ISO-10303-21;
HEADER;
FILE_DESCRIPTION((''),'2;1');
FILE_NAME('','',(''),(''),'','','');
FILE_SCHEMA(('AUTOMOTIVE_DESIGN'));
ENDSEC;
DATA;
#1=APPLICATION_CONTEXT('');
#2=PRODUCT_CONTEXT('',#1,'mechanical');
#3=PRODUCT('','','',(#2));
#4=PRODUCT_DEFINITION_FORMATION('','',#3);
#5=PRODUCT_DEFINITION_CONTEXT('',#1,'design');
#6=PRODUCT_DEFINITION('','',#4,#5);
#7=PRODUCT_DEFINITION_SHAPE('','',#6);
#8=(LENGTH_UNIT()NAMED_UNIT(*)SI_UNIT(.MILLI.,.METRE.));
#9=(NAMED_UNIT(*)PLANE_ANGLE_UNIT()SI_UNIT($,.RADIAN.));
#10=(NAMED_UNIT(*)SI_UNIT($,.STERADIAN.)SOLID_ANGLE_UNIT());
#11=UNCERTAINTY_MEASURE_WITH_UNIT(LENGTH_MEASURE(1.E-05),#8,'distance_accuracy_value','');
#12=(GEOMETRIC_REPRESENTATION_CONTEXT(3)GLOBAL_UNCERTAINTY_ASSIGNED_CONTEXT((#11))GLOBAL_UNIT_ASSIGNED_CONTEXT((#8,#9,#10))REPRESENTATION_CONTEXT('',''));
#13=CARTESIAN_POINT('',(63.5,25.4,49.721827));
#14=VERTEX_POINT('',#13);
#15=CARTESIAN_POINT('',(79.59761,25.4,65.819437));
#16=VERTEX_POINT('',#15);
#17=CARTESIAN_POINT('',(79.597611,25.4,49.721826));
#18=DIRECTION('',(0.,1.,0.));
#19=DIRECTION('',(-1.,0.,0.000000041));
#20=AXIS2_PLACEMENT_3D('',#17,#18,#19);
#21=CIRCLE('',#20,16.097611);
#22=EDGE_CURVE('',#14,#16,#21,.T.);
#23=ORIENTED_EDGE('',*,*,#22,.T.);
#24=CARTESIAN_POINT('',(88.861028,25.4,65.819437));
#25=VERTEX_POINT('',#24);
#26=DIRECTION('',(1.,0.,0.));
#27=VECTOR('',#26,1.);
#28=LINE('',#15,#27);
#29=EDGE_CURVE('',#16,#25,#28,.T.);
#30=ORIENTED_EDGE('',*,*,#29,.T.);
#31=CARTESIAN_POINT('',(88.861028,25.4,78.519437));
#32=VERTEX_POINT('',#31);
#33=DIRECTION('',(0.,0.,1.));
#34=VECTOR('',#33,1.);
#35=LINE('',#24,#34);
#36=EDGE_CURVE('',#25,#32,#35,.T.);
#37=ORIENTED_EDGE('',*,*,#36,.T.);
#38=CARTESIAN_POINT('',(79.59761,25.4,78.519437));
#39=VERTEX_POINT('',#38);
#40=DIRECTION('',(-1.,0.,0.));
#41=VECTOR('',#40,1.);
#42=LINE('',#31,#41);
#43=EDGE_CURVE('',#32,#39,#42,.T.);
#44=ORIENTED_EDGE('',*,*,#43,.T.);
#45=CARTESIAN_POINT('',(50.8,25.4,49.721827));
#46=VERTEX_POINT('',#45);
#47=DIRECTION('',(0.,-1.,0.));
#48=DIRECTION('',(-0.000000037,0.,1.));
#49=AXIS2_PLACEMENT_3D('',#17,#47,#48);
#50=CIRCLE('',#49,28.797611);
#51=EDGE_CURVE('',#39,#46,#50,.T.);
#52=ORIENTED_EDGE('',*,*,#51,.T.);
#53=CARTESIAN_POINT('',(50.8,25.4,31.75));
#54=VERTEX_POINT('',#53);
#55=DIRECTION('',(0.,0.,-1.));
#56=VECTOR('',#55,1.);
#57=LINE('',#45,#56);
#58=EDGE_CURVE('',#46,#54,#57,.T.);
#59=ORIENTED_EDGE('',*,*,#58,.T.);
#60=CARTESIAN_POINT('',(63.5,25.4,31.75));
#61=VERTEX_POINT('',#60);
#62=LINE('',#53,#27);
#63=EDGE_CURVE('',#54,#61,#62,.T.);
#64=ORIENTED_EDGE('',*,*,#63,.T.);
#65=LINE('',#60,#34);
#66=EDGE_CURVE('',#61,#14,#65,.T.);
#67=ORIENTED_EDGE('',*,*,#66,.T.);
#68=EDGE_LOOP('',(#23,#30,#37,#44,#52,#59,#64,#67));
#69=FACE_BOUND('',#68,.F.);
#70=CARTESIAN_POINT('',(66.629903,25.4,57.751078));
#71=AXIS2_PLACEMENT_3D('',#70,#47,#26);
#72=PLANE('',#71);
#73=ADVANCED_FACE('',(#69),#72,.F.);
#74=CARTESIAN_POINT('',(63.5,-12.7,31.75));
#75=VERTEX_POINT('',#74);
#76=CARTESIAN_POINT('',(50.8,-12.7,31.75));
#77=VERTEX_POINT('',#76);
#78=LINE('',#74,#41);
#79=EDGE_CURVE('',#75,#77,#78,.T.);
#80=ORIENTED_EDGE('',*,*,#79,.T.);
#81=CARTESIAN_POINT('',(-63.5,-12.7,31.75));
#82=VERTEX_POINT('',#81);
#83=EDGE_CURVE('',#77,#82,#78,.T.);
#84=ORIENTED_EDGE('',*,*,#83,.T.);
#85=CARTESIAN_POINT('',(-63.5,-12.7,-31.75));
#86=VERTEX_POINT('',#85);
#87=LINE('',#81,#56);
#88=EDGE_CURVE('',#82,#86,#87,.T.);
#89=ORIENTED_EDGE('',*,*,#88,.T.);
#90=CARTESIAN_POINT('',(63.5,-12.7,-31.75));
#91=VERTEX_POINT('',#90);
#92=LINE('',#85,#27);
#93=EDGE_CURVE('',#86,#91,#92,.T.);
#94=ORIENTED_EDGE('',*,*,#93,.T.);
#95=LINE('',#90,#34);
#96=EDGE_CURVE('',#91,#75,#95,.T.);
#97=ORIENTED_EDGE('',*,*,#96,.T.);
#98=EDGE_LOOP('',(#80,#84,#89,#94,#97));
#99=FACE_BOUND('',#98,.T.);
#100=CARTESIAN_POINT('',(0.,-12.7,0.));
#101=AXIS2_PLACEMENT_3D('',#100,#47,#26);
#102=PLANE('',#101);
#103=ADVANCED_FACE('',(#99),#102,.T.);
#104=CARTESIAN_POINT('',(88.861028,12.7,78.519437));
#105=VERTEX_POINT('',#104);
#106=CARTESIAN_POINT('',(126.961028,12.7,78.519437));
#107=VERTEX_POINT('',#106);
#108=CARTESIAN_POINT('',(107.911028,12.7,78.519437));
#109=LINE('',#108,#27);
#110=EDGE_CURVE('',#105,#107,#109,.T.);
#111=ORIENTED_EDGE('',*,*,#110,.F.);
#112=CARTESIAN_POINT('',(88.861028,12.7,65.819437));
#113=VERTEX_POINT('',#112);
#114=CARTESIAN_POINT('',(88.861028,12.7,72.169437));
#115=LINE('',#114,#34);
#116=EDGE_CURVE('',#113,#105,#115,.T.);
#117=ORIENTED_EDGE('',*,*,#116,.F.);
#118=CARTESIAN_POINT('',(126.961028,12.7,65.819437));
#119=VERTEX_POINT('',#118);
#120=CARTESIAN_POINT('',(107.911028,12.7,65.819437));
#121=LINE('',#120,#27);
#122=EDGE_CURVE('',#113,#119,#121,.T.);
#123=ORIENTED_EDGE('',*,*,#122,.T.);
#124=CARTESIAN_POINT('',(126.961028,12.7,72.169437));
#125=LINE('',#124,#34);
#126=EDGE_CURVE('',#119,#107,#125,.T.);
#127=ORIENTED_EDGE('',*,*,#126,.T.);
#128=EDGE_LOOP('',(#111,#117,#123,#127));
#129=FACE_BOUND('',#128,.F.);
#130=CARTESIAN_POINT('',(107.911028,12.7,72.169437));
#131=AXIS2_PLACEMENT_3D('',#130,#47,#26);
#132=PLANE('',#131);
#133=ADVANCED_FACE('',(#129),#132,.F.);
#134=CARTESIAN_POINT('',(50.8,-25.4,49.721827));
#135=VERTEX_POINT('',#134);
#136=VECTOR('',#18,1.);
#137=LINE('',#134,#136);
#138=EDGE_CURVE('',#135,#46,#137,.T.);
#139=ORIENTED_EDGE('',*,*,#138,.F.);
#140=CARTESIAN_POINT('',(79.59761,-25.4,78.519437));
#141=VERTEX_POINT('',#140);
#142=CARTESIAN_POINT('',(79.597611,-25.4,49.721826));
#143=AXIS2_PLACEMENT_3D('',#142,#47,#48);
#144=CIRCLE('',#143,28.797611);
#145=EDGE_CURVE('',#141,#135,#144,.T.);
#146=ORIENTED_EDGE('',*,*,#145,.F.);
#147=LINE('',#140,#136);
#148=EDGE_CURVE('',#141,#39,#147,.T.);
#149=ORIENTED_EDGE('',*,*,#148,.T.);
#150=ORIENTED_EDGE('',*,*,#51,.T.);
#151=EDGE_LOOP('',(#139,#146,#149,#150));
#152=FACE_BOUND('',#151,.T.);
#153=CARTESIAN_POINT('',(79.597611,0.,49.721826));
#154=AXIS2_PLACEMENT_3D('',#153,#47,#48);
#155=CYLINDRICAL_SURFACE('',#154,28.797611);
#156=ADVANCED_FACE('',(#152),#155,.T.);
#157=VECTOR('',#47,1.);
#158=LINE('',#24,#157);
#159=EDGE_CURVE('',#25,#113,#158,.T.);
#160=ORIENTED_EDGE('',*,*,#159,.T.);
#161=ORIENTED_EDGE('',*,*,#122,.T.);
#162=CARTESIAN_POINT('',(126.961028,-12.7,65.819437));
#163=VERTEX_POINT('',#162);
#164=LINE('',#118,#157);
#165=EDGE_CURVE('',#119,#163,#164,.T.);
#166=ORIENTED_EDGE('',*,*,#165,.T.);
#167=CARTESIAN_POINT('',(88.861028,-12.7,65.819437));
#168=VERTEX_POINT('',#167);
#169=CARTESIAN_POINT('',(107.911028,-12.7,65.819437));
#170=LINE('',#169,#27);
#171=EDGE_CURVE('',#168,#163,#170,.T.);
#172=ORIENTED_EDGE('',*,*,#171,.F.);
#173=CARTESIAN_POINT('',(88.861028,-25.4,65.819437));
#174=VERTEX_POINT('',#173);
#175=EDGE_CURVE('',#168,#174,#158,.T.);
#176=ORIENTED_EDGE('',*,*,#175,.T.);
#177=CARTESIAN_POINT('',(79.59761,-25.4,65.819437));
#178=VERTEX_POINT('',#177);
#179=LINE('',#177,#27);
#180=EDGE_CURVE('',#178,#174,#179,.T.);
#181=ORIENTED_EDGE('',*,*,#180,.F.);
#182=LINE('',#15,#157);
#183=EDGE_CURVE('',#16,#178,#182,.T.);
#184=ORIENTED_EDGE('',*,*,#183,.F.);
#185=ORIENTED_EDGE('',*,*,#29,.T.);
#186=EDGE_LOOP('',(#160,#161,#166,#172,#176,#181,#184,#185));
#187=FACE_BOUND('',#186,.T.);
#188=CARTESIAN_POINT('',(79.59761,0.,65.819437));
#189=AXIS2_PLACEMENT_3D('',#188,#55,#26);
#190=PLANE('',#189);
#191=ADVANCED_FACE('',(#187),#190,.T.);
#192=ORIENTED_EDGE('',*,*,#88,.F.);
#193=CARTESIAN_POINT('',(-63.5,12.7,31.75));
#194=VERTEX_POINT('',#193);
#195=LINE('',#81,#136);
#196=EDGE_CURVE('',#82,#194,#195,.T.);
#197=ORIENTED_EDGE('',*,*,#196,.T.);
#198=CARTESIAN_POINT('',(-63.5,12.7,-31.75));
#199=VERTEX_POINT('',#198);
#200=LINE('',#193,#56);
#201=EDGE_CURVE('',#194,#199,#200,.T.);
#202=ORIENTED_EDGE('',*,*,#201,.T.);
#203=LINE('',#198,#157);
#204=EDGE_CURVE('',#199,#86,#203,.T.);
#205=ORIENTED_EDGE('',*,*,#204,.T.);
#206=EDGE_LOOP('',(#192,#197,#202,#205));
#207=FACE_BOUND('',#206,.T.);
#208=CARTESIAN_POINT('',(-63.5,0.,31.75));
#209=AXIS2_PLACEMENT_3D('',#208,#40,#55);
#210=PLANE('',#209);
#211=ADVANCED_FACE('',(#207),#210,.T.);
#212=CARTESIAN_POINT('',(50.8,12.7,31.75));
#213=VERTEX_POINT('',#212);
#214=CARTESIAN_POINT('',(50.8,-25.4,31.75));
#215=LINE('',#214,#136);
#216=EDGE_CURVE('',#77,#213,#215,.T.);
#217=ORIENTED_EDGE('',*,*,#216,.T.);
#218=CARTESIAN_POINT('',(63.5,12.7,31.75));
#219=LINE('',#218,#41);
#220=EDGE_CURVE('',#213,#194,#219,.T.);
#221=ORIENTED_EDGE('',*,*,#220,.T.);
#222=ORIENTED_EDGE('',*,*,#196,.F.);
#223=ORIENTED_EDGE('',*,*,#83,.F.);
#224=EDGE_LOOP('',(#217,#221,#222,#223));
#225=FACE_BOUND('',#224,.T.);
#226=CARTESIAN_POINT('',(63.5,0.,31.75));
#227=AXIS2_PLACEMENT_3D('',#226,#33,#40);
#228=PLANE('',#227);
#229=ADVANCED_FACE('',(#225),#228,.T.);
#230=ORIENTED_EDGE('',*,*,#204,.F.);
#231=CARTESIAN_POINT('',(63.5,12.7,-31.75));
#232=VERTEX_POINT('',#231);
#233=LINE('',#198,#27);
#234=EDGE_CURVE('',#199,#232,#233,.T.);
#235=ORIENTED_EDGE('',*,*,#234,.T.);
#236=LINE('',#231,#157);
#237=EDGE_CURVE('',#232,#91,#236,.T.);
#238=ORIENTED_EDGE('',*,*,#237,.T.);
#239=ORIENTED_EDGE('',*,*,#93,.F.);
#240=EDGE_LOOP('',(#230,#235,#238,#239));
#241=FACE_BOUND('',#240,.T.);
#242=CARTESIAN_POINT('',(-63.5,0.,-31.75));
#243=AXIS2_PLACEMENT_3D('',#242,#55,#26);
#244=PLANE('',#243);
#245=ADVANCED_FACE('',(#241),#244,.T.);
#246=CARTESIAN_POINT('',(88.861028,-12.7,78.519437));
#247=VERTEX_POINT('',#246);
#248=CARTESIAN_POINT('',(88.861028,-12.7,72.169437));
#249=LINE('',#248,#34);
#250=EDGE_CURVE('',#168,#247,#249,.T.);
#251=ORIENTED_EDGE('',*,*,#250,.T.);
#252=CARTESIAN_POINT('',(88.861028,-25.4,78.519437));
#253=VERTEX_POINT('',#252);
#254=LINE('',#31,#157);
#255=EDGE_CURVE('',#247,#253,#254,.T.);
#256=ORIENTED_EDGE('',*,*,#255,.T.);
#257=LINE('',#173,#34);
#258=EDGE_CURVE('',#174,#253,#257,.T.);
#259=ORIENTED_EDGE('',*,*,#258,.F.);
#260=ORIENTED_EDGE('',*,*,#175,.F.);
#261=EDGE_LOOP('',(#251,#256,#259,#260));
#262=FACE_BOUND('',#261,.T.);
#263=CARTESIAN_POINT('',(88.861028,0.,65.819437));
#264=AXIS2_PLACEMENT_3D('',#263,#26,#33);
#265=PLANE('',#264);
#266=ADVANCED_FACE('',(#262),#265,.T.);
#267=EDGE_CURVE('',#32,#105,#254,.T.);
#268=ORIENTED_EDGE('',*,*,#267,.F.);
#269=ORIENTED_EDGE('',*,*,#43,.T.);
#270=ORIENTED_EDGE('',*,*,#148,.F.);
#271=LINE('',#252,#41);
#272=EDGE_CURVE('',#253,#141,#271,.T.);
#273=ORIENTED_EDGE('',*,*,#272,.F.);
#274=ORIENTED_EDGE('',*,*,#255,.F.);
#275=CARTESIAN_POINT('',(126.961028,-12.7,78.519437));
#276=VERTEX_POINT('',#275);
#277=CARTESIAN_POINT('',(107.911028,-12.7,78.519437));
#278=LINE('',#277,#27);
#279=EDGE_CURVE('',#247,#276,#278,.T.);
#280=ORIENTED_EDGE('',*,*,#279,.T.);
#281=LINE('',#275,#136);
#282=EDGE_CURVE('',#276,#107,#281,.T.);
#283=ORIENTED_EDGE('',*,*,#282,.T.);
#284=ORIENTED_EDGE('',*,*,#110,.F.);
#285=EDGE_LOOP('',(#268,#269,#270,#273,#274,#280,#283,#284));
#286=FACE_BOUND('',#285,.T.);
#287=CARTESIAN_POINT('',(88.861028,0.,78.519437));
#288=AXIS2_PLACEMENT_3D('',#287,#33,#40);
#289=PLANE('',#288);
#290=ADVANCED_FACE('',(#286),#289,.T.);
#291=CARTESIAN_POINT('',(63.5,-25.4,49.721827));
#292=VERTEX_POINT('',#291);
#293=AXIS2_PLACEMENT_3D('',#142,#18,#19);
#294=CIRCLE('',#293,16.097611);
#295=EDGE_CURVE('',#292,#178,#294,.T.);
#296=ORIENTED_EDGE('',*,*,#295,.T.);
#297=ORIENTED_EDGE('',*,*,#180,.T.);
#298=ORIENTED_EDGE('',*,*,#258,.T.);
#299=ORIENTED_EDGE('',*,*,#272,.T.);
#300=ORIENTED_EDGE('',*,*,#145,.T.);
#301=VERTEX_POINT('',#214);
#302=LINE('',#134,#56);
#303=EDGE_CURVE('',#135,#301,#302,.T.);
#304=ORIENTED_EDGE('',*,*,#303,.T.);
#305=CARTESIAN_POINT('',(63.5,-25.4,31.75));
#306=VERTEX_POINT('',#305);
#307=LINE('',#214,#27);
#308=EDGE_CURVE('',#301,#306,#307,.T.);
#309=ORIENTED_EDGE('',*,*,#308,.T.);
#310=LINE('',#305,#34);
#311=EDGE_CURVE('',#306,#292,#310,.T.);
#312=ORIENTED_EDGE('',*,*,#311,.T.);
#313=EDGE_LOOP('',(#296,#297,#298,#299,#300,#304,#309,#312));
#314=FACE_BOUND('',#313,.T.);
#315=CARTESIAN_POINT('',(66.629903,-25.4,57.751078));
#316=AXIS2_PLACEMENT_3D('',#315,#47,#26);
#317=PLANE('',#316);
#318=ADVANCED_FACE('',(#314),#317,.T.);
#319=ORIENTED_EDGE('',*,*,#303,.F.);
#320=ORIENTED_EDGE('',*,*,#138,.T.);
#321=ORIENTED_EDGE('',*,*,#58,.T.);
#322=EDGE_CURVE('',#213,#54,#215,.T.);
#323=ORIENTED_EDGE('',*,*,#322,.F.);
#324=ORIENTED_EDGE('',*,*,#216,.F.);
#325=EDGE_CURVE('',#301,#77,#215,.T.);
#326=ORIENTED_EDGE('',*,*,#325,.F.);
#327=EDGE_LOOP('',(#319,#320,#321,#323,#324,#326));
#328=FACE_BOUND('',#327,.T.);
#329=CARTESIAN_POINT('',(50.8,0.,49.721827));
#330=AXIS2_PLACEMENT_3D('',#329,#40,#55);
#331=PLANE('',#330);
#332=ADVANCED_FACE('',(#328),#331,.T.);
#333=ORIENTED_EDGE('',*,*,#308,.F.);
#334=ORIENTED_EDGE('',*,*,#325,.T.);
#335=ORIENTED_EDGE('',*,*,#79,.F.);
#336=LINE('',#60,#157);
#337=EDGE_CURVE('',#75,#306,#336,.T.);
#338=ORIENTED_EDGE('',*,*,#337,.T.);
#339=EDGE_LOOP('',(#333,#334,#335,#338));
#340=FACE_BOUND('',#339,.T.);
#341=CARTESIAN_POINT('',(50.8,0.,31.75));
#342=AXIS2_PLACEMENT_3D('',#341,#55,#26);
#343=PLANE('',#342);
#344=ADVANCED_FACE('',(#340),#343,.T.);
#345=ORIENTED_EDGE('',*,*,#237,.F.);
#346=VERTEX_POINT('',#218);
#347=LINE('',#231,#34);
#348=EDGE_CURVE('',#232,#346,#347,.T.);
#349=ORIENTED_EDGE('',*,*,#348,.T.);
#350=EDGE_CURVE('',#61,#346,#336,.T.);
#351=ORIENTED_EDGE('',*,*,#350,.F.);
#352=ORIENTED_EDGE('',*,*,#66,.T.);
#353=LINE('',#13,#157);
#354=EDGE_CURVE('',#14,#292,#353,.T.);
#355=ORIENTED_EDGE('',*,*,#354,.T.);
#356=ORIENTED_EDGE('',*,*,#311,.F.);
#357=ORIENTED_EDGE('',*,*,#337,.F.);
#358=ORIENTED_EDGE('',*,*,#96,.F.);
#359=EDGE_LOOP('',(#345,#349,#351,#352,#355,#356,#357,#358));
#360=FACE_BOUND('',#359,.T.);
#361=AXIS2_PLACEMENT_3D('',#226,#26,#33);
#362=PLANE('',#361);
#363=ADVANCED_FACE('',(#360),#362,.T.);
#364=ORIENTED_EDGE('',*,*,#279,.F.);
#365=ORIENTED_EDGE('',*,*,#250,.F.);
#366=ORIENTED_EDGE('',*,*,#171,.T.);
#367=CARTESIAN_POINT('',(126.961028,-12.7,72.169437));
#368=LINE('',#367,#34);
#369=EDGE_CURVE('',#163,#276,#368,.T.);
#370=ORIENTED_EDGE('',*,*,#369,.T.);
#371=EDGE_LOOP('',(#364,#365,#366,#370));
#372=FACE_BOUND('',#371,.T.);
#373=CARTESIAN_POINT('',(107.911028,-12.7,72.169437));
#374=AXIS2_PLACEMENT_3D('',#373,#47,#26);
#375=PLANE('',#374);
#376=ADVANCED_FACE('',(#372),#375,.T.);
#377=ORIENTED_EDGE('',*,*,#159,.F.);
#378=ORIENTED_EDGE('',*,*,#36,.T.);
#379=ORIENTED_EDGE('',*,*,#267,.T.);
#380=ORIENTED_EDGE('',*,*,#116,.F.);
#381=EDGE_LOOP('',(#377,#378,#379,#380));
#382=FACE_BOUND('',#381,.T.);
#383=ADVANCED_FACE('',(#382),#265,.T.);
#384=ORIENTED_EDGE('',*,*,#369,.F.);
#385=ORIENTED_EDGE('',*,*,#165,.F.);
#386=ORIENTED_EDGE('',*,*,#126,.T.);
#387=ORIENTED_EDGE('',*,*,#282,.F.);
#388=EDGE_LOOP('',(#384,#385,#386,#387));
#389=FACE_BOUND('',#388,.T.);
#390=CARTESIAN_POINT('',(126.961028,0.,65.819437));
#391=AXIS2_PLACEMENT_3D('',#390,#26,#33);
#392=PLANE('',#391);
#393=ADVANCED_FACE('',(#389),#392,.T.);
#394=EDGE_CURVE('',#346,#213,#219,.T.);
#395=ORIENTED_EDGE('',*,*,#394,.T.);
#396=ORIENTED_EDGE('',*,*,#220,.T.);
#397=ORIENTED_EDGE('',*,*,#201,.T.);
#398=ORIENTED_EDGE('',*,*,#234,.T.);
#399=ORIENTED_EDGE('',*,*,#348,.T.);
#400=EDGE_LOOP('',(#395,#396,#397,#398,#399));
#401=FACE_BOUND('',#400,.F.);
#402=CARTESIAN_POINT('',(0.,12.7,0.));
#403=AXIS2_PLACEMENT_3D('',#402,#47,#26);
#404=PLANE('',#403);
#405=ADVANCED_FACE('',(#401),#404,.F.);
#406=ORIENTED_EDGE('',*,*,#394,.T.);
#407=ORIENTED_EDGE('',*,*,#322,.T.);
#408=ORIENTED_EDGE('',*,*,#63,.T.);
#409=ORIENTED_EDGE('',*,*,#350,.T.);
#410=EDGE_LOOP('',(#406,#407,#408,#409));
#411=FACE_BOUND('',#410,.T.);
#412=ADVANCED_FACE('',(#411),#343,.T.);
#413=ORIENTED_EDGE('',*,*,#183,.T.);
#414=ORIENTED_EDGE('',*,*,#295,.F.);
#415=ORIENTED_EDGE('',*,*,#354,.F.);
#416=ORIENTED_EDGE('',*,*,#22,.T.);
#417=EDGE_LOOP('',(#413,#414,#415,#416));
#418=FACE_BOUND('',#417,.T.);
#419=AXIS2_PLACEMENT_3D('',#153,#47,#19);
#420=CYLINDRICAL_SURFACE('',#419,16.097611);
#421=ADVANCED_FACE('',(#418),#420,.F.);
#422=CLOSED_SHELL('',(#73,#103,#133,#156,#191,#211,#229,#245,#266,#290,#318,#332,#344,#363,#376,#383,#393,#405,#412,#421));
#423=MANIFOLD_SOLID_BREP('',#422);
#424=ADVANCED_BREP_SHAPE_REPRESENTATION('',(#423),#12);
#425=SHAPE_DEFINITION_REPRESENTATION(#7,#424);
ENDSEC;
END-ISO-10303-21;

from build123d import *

# Parameters (mm, degrees)
F1_DEPTH = 12.7
F2_DEPTH = 25.4
F0_W     = 38.1
F0_H     = 12.7
F3_DEPTH = 12.7


with BuildPart() as f1:
    # F0 (on Front) → F1 (new body, symmetric)
    with BuildSketch(Plane.XZ):
        Polygon((-63.5, 31.75), (-63.5, -31.75), (63.5, -31.75), (63.5, 31.75), (50.8, 31.75), align=None)
    extrude(amount=F1_DEPTH, both=True)

    # F0 (on Front) → F2 (join, symmetric)
    with BuildSketch(Plane.XZ):
        with BuildLine():
            Line((50.8, 31.75), (63.5, 31.75))
            Line((63.5, 31.75), (63.5, 49.721827))
            ThreePointArc((63.5, 49.721827), (68.214881, 61.104556), (79.59761, 65.819437))
            Line((79.59761, 65.819437), (88.861028, 65.819437))
            Line((88.861028, 65.819437), (88.861028, 78.519437))
            Line((88.861028, 78.519437), (79.59761, 78.519437))
            ThreePointArc((79.59761, 78.519437), (59.234625, 70.084812), (50.8, 49.721827))
            Line((50.8, 49.721827), (50.8, 31.75))
        make_face()
    extrude(amount=F2_DEPTH, both=True)

    # F0 (on Front) → F3 (join, symmetric)
    with BuildSketch(Plane.XZ):
        with Locations((107.911028, 72.169437)):
            Rectangle(F0_W, F0_H)
    extrude(amount=F3_DEPTH, both=True)


solid = f1.part
